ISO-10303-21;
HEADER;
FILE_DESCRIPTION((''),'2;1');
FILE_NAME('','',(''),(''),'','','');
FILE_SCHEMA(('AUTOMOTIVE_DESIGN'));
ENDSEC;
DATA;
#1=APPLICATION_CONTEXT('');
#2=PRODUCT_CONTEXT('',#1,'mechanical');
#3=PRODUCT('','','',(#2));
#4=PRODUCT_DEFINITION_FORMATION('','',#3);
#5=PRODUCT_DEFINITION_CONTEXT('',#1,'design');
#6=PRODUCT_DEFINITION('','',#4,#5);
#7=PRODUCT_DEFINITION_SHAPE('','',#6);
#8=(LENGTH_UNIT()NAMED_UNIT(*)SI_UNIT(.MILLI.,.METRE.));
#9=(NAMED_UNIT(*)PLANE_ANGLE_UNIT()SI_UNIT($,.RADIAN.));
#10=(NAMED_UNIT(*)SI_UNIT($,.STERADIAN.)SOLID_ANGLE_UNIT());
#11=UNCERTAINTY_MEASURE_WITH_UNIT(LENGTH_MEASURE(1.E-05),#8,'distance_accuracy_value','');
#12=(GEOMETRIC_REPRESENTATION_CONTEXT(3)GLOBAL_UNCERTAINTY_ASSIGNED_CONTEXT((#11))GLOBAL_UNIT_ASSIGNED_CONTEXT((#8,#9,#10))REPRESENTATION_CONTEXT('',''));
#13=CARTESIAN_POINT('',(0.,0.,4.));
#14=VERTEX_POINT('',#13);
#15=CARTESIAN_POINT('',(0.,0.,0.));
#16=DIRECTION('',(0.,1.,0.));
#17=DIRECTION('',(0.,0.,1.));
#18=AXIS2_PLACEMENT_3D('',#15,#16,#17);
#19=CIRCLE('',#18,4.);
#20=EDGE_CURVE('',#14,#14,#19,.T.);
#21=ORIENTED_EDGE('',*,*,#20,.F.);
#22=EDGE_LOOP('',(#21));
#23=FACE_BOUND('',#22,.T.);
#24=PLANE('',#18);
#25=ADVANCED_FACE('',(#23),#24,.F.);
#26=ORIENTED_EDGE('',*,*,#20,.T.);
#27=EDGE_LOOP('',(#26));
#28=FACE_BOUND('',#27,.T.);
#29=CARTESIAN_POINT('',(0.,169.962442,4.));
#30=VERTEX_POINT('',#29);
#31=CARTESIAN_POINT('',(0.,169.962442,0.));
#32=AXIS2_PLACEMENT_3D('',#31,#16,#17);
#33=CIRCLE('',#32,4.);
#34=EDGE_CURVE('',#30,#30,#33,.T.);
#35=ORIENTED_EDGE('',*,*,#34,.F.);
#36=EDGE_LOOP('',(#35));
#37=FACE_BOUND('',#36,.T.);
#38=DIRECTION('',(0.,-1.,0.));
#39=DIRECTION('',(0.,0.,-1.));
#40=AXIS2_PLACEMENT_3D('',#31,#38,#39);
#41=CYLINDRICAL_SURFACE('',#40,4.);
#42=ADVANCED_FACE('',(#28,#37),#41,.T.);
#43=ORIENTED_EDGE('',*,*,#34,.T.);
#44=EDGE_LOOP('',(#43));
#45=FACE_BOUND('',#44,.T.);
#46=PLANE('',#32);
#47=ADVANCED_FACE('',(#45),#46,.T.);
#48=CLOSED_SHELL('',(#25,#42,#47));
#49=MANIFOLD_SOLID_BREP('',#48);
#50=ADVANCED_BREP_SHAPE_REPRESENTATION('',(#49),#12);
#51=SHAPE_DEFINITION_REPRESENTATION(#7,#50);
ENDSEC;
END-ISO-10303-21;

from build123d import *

# Parameters (mm, degrees)
SKETCH1_R           = 4
BOSS_EXTRUDE1_DEPTH = 169.962442034


with BuildPart() as part:
    # Sketch1 → Boss-Extrude1 (new body)
    with BuildSketch(Plane(origin=(0, 0, 0), x_dir=(1, 0, 0), z_dir=(0, 1, 0))):
        Circle(SKETCH1_R)
    extrude(amount=BOSS_EXTRUDE1_DEPTH)


solid = part.part
